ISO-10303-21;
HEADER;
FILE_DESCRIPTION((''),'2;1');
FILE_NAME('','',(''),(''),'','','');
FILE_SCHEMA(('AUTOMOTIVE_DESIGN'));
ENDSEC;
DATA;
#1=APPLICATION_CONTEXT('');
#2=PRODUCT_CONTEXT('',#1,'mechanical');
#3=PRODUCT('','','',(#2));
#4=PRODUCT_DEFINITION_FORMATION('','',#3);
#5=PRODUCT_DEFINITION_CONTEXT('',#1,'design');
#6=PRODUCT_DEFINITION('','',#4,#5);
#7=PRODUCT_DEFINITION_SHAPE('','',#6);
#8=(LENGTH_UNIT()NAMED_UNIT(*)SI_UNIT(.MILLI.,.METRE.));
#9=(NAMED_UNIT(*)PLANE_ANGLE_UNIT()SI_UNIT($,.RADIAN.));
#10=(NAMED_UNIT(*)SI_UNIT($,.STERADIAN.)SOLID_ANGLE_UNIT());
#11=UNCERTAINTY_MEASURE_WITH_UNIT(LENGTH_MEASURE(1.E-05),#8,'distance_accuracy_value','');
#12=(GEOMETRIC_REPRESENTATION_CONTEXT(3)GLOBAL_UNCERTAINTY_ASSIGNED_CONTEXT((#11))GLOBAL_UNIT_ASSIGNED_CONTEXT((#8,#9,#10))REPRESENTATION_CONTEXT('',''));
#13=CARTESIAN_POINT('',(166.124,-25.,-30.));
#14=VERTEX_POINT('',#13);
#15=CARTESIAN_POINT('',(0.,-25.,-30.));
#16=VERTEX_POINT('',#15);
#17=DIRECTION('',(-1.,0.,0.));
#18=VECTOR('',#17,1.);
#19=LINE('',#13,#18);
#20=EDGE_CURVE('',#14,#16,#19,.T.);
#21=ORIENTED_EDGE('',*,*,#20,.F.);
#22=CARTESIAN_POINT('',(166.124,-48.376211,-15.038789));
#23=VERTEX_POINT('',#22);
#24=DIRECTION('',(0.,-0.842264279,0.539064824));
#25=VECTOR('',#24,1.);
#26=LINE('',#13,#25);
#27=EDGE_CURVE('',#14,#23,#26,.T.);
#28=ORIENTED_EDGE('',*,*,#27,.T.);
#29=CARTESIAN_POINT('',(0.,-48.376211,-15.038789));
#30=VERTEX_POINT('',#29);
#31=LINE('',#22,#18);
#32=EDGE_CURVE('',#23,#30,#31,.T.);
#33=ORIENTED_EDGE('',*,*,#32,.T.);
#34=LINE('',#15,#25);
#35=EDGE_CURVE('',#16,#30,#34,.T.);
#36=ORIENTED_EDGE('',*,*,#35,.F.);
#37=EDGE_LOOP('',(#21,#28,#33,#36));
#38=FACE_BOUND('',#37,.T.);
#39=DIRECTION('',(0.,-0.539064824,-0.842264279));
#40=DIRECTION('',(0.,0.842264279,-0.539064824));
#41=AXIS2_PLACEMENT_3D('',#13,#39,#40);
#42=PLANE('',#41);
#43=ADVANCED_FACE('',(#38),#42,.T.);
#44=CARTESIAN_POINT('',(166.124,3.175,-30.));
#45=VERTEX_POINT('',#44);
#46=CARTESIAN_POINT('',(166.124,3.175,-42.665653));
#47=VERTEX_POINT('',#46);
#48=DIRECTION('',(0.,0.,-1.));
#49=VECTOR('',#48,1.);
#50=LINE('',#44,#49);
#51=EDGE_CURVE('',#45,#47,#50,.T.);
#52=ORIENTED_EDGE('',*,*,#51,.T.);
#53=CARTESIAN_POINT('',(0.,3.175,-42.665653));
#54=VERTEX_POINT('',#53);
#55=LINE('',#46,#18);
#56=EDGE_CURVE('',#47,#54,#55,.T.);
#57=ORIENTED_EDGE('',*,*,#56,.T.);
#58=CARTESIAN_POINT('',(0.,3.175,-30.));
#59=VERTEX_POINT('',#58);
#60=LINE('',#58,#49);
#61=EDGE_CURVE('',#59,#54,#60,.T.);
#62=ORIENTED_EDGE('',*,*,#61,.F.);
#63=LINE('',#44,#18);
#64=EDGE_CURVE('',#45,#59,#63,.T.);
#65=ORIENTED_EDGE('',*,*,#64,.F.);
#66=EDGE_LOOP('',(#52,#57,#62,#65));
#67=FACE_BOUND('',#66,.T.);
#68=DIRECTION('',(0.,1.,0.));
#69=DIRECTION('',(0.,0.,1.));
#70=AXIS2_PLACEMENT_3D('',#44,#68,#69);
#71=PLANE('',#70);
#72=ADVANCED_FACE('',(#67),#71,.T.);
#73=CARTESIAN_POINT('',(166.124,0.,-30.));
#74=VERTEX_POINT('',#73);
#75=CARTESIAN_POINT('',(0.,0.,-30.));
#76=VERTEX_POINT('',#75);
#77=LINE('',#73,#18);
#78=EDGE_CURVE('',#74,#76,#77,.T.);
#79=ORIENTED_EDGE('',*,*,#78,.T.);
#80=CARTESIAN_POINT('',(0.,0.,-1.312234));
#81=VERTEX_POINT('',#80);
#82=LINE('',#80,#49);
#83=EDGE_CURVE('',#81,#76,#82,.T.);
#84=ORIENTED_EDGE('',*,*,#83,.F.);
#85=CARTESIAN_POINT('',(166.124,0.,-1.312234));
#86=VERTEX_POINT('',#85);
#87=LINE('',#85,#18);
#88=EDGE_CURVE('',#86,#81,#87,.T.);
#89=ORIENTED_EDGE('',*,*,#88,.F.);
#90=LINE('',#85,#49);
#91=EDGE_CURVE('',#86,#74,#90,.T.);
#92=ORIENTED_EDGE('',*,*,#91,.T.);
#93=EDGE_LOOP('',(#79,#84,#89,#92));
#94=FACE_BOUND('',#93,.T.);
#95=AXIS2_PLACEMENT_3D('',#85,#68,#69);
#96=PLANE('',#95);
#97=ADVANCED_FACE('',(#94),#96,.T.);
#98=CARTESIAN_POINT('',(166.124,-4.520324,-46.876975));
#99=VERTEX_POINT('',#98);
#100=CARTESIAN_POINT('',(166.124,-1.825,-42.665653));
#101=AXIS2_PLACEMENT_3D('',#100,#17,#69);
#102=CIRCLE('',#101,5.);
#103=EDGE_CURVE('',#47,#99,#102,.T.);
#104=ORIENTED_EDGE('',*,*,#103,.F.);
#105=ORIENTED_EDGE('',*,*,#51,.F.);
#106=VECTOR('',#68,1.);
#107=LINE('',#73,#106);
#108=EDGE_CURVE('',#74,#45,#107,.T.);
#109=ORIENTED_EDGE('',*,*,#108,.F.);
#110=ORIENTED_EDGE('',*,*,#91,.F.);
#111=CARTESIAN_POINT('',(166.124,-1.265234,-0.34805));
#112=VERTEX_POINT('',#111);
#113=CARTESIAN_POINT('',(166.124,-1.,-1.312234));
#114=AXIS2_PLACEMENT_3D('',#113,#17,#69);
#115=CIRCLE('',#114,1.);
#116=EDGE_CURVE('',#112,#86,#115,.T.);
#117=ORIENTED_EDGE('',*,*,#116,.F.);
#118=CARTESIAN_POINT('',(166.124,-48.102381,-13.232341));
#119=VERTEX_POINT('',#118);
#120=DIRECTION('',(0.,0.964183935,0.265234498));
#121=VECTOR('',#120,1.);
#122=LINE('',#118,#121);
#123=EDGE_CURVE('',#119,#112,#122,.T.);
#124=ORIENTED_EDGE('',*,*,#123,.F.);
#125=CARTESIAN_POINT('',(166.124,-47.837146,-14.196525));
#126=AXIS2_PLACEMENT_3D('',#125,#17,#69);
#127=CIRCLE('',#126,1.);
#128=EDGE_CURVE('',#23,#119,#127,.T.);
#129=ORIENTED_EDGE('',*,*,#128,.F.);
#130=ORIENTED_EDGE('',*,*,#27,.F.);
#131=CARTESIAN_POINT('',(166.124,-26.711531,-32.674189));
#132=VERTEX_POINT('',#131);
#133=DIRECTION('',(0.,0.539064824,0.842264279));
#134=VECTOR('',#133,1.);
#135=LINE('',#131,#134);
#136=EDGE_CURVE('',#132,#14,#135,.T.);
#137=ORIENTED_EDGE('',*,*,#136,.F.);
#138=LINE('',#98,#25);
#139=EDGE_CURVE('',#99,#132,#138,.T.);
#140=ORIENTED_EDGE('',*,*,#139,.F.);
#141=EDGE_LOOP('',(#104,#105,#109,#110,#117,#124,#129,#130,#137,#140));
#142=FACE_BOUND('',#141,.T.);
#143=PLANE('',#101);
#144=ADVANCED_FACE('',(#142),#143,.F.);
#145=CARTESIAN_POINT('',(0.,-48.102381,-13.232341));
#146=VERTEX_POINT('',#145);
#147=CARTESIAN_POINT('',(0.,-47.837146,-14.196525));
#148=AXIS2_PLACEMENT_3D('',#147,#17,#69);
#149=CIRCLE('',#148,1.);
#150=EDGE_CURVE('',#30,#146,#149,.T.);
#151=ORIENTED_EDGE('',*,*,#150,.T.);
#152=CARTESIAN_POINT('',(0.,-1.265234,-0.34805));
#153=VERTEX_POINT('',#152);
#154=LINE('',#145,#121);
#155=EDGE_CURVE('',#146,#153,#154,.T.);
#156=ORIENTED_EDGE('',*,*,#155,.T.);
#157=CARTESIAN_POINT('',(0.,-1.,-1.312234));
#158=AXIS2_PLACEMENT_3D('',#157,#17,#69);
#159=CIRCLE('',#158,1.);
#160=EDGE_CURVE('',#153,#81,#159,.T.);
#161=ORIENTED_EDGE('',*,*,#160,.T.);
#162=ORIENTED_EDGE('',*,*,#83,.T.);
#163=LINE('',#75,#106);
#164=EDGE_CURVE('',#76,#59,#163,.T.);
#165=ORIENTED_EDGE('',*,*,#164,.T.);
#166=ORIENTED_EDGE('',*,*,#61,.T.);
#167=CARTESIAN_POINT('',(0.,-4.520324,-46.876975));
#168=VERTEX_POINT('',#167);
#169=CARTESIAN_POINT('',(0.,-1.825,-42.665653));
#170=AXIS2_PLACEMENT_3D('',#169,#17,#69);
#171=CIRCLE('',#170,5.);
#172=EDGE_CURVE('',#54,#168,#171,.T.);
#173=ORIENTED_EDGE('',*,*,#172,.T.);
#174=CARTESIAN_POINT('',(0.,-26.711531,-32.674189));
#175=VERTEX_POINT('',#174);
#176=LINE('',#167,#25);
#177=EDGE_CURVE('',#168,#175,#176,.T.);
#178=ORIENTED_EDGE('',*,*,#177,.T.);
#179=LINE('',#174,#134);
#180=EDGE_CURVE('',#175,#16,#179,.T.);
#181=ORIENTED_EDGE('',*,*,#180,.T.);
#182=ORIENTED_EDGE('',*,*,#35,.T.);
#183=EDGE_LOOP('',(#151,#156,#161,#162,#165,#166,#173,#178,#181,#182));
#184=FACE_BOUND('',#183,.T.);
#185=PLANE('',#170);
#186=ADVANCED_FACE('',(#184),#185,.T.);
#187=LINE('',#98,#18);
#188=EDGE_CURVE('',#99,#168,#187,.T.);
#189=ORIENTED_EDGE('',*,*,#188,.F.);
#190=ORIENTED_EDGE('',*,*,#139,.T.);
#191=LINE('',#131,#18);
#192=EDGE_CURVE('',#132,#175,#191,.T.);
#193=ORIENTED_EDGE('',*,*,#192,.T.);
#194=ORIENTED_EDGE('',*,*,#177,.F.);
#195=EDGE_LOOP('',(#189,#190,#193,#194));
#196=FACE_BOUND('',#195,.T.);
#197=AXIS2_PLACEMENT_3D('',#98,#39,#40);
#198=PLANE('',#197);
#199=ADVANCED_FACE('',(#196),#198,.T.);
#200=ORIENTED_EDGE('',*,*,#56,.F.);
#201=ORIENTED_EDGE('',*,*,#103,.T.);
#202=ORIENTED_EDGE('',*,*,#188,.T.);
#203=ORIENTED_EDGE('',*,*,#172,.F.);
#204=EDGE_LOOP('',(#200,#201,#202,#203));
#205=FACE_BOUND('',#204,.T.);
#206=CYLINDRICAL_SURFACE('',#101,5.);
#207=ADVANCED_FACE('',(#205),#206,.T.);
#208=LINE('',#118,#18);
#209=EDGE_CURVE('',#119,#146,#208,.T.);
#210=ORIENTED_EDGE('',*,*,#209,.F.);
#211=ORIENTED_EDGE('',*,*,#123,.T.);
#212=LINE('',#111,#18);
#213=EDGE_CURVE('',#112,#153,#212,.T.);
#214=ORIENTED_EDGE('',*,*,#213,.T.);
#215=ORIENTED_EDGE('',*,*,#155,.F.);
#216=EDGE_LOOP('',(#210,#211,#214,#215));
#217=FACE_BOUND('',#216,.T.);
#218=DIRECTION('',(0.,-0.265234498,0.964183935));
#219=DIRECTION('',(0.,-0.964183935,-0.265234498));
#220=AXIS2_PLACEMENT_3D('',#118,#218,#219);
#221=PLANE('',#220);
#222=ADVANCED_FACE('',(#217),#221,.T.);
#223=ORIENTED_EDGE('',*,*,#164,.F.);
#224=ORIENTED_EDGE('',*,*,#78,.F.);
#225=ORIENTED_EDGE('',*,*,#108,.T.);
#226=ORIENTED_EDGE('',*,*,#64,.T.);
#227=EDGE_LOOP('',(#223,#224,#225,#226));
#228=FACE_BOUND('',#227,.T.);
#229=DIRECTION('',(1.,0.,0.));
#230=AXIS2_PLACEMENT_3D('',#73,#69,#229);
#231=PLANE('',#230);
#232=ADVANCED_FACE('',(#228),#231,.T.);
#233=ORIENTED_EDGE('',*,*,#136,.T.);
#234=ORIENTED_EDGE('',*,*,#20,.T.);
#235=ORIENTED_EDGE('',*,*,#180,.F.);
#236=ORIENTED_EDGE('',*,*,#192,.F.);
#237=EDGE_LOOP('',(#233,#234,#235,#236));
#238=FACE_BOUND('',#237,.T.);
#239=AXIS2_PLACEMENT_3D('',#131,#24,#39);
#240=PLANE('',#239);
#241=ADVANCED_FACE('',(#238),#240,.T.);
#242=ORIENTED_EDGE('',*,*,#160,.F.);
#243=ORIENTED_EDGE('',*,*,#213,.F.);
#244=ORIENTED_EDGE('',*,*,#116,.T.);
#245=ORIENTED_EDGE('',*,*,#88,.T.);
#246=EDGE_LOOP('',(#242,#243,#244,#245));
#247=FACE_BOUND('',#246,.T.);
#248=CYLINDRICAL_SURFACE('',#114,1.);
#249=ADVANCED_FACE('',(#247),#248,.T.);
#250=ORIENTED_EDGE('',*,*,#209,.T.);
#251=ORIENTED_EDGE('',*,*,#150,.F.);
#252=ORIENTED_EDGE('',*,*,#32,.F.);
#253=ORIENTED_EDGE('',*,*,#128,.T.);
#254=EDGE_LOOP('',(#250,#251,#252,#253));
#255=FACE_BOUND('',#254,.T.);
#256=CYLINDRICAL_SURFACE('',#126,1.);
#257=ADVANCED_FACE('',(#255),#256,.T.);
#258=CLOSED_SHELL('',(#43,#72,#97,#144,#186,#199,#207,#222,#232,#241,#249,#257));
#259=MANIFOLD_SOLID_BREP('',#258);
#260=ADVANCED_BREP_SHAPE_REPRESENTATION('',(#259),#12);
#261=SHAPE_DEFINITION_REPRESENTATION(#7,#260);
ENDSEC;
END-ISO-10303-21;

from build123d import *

# Parameters (mm, degrees)
BOSS_EXTRUDE1_DEPTH = 166.124


with BuildPart() as part:
    # Sketch1 → Boss-Extrude1 (new body)
    with BuildSketch(Plane(origin=(0, 0, 0), x_dir=(0, 0, -1), z_dir=(1, 0, 0))):
        with BuildLine():
            Line((1.31223354, 0), (30, 0))
            Line((30, 0), (30, 3.175))
            Line((30, 3.175), (42.665653227, 3.175))
            ThreePointArc((42.665653227, 3.175), (47.051803052, 0.575351996), (46.876974623, -4.520324118))
            Line((46.876974623, -4.520324118), (32.674189086, -26.711530815))
            Line((32.674189086, -26.711530815), (30, -25))
            Line((30, -25), (15.038789484, -48.376211248))
            ThreePointArc((15.038789484, -48.376211248), (14.046652384, -48.825851708), (13.232341269, -48.102380923))
            Line((13.232341269, -48.102380923), (0.348049605, -1.265234498))
            ThreePointArc((0.348049605, -1.265234498), (0.516861143, -0.393878931), (1.31223354, 0))
        make_face()
    extrude(amount=BOSS_EXTRUDE1_DEPTH)


solid = part.part
